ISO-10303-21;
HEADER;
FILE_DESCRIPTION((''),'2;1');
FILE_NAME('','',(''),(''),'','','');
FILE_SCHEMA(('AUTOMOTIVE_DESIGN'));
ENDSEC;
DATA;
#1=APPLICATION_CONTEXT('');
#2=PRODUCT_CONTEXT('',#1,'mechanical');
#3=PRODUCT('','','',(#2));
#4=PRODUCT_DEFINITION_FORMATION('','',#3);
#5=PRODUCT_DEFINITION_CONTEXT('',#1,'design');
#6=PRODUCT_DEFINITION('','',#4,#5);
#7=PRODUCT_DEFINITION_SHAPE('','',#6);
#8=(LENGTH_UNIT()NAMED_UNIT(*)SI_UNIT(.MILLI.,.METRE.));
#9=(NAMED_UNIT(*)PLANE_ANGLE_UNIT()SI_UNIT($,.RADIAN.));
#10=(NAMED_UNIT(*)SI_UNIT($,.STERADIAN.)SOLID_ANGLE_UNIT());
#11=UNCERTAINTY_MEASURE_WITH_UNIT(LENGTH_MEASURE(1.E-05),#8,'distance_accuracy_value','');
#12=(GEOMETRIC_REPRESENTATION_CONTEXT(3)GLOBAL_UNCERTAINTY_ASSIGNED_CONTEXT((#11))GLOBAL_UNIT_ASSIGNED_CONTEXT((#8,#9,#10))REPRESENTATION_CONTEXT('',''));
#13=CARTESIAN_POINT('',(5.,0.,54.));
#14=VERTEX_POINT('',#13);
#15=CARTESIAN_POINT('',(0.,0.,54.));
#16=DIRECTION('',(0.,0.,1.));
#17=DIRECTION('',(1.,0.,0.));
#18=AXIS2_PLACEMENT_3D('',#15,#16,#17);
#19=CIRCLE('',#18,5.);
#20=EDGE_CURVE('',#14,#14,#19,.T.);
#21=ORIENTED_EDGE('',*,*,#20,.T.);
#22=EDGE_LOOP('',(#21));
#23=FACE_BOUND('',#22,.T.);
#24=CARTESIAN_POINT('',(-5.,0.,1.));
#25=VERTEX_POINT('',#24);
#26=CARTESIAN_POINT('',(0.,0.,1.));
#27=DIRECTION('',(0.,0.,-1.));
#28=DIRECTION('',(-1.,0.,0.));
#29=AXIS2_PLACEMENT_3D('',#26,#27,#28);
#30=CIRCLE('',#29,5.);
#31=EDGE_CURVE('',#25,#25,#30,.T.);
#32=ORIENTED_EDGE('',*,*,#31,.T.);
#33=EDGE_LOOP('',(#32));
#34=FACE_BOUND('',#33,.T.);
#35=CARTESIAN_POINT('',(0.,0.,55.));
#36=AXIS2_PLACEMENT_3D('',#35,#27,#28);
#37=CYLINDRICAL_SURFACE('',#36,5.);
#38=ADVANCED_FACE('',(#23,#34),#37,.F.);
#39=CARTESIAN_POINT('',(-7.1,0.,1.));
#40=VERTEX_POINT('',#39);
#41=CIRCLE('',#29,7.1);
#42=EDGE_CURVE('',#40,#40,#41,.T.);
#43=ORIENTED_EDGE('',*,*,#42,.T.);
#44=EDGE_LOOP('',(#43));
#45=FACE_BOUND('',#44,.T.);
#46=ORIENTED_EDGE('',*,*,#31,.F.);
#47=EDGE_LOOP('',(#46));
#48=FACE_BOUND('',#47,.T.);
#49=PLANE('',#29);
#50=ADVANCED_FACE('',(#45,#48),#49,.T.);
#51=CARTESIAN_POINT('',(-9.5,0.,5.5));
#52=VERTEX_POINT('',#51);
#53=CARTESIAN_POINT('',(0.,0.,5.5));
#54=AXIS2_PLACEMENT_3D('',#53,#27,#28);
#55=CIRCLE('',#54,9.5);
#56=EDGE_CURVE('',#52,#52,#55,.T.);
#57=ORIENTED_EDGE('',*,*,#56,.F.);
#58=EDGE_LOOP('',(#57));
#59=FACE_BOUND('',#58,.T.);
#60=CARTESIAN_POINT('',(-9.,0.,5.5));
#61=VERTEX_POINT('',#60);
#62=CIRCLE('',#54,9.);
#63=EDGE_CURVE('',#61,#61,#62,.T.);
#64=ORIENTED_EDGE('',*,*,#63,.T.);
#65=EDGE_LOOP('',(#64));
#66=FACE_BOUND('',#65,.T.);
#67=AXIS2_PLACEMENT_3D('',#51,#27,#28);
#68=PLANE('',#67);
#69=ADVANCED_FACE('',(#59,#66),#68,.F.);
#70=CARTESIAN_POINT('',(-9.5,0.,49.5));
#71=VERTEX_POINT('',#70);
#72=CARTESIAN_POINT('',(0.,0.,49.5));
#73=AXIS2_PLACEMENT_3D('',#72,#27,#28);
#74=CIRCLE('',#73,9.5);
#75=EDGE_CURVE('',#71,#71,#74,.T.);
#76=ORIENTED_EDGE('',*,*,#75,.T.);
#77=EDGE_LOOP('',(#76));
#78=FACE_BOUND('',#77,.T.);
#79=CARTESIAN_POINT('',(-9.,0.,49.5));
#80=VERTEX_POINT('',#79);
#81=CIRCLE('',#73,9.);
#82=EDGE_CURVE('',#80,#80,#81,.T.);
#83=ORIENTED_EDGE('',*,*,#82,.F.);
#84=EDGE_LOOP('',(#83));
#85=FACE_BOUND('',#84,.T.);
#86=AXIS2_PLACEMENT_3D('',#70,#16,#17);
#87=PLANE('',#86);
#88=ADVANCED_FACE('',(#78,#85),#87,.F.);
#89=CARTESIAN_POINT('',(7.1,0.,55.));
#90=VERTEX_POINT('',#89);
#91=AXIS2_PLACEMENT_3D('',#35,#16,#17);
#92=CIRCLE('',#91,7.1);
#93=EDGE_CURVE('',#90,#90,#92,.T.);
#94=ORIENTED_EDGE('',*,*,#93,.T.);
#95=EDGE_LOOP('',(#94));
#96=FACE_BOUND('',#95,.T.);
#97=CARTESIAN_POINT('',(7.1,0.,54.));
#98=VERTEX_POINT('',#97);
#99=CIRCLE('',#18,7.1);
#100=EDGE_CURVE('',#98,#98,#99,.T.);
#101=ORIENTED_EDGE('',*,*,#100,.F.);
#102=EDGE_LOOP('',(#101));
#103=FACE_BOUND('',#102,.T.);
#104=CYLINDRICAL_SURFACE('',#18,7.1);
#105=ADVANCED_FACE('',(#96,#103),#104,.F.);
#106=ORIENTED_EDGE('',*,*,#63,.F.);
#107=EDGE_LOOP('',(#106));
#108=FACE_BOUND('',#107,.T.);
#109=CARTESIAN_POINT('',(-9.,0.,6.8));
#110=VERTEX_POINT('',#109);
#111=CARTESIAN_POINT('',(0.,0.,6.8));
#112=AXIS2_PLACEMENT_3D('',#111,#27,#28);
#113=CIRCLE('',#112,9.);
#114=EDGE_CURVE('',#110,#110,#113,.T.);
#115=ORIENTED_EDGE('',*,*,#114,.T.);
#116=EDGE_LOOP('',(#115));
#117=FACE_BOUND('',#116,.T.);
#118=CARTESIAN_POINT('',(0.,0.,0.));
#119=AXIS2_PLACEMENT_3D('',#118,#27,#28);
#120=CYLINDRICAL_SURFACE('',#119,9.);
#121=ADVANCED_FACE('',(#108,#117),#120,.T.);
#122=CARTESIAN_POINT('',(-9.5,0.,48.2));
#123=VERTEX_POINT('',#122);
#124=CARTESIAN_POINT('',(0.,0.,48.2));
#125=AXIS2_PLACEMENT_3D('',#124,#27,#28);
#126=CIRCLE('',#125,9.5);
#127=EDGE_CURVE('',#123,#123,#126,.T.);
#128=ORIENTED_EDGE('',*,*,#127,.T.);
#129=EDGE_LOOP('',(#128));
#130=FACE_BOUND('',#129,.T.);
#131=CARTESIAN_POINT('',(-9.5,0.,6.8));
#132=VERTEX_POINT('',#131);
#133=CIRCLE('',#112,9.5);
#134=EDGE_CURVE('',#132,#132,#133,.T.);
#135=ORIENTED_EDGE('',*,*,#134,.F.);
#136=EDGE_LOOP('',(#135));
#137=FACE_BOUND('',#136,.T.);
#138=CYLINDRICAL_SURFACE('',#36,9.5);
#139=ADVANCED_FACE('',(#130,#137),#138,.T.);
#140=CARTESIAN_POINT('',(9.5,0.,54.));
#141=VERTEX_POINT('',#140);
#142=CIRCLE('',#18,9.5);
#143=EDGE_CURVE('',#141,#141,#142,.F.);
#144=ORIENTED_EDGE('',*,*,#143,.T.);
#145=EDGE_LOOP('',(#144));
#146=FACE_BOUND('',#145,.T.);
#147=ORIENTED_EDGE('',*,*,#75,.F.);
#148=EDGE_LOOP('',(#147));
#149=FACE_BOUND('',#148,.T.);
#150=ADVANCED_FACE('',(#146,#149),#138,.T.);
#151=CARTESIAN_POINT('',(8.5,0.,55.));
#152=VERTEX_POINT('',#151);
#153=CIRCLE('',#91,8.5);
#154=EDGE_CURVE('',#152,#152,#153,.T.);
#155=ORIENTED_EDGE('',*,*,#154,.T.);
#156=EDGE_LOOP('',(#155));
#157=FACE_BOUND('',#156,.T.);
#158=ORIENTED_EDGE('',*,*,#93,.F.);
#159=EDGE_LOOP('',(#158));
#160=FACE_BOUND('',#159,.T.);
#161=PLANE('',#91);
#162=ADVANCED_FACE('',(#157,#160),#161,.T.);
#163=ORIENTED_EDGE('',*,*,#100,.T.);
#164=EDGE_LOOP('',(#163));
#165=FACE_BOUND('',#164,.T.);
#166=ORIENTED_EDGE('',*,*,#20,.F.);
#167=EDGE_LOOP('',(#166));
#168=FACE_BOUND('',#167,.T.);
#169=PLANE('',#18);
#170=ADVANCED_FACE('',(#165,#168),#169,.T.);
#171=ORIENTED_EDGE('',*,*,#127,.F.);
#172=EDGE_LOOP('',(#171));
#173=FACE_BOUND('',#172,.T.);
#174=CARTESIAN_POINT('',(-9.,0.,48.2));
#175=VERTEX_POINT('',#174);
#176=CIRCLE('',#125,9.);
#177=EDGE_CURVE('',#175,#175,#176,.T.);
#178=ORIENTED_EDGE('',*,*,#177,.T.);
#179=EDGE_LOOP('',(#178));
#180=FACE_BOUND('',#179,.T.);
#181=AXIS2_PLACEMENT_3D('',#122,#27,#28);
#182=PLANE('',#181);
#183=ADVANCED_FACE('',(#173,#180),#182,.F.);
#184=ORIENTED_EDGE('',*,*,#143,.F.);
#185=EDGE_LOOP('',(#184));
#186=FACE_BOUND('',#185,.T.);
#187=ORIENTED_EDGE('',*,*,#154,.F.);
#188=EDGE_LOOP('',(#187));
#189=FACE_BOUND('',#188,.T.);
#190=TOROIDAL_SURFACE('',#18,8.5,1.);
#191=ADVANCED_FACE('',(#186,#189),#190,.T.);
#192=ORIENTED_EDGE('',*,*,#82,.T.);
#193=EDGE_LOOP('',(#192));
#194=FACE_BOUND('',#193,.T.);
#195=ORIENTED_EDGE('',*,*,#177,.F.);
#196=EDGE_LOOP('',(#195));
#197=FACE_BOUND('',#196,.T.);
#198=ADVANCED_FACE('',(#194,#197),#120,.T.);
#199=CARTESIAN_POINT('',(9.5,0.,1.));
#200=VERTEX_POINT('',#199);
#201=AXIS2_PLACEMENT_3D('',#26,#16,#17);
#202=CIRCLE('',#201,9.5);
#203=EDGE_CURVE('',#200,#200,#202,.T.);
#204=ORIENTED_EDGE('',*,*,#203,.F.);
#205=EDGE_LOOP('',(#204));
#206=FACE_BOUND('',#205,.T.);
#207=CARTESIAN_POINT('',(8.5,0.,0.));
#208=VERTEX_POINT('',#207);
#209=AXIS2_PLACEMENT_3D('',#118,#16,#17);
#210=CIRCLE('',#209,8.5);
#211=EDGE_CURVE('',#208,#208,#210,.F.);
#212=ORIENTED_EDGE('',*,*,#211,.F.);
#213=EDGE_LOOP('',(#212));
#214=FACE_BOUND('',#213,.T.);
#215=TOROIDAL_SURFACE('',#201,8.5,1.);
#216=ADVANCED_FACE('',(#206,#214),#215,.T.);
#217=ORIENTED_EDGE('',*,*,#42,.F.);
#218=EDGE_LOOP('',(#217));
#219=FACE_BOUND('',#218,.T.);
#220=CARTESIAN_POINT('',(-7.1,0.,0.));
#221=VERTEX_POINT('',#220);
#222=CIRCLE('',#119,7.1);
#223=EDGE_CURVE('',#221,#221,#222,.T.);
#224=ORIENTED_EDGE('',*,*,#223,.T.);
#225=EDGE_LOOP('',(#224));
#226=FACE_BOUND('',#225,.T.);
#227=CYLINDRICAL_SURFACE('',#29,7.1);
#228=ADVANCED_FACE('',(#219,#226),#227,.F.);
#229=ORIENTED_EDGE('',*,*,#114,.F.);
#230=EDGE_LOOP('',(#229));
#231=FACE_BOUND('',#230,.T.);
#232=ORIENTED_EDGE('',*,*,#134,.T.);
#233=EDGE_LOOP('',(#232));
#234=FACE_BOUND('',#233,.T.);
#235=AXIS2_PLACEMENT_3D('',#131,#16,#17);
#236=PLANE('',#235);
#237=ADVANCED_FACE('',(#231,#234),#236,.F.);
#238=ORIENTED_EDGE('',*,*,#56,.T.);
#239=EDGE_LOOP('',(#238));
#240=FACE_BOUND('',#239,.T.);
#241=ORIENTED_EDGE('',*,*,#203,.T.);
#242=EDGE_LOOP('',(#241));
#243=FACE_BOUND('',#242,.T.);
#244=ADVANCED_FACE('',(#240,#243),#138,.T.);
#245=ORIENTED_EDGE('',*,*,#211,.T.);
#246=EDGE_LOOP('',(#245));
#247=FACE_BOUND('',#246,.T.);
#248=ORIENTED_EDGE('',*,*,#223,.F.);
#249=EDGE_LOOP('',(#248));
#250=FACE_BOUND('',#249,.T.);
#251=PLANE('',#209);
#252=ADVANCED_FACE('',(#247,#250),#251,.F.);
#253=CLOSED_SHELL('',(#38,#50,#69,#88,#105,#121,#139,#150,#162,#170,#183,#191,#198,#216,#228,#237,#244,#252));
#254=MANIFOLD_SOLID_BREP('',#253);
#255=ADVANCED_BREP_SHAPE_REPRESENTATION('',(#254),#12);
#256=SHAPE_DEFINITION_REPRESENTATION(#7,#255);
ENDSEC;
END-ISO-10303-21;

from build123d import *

# Parameters (mm, degrees)
SKETCH1_R           = 9.5
SKETCH1_R_2         = 5
BOSS_EXTRUDE1_DEPTH = 55
SKETCH2_R           = 7.1
CUT_EXTRUDE1_DEPTH  = 1
SKETCH3_R           = 7.1
CUT_EXTRUDE2_DEPTH  = 1
SKETCH4_W           = 0.5
SKETCH4_H           = 1.3
FILLET1_R           = 1


with BuildPart() as part:
    # Sketch1 → Boss-Extrude1 (new body)
    with BuildSketch(Plane.XY):
        Circle(SKETCH1_R)
        Circle(SKETCH1_R_2, mode=Mode.SUBTRACT)
    extrude(amount=BOSS_EXTRUDE1_DEPTH)

    # Sketch2 → Cut-Extrude1 (cut)
    with BuildSketch(Plane.XY.offset(55)):
        Circle(SKETCH2_R)
    extrude(amount=-CUT_EXTRUDE1_DEPTH, mode=Mode.SUBTRACT)

    # Sketch3 → Cut-Extrude2 (cut)
    with BuildSketch(Plane(origin=(0, 0, 0), x_dir=(-1, 0, 0), z_dir=(0, 0, -1))):
        Circle(SKETCH3_R)
    extrude(amount=-CUT_EXTRUDE2_DEPTH, mode=Mode.SUBTRACT)

    # Sketch4 → Cut-Revolve1 (revolve, cut)
    with BuildSketch(Plane(origin=(0, 0, 0), x_dir=(1, 0, 0), z_dir=(0, 1, 0))):
        with Locations((-9.25, -48.85)):
            Rectangle(SKETCH4_W, SKETCH4_H)
        with Locations((-9.25, -6.15)):
            Rectangle(SKETCH4_W, SKETCH4_H)
    revolve(axis=Axis((0, 0, 0), (0, 0, 1)), mode=Mode.SUBTRACT)

    # Fillet1
    fillet1_edges = [part.edges().sort_by_distance(p)[0] for p in [
        (-9.5, 0, 0),
        (-9.5, 0, 55),
    ]]
    fillet(fillet1_edges, radius=FILLET1_R)


solid = part.part
